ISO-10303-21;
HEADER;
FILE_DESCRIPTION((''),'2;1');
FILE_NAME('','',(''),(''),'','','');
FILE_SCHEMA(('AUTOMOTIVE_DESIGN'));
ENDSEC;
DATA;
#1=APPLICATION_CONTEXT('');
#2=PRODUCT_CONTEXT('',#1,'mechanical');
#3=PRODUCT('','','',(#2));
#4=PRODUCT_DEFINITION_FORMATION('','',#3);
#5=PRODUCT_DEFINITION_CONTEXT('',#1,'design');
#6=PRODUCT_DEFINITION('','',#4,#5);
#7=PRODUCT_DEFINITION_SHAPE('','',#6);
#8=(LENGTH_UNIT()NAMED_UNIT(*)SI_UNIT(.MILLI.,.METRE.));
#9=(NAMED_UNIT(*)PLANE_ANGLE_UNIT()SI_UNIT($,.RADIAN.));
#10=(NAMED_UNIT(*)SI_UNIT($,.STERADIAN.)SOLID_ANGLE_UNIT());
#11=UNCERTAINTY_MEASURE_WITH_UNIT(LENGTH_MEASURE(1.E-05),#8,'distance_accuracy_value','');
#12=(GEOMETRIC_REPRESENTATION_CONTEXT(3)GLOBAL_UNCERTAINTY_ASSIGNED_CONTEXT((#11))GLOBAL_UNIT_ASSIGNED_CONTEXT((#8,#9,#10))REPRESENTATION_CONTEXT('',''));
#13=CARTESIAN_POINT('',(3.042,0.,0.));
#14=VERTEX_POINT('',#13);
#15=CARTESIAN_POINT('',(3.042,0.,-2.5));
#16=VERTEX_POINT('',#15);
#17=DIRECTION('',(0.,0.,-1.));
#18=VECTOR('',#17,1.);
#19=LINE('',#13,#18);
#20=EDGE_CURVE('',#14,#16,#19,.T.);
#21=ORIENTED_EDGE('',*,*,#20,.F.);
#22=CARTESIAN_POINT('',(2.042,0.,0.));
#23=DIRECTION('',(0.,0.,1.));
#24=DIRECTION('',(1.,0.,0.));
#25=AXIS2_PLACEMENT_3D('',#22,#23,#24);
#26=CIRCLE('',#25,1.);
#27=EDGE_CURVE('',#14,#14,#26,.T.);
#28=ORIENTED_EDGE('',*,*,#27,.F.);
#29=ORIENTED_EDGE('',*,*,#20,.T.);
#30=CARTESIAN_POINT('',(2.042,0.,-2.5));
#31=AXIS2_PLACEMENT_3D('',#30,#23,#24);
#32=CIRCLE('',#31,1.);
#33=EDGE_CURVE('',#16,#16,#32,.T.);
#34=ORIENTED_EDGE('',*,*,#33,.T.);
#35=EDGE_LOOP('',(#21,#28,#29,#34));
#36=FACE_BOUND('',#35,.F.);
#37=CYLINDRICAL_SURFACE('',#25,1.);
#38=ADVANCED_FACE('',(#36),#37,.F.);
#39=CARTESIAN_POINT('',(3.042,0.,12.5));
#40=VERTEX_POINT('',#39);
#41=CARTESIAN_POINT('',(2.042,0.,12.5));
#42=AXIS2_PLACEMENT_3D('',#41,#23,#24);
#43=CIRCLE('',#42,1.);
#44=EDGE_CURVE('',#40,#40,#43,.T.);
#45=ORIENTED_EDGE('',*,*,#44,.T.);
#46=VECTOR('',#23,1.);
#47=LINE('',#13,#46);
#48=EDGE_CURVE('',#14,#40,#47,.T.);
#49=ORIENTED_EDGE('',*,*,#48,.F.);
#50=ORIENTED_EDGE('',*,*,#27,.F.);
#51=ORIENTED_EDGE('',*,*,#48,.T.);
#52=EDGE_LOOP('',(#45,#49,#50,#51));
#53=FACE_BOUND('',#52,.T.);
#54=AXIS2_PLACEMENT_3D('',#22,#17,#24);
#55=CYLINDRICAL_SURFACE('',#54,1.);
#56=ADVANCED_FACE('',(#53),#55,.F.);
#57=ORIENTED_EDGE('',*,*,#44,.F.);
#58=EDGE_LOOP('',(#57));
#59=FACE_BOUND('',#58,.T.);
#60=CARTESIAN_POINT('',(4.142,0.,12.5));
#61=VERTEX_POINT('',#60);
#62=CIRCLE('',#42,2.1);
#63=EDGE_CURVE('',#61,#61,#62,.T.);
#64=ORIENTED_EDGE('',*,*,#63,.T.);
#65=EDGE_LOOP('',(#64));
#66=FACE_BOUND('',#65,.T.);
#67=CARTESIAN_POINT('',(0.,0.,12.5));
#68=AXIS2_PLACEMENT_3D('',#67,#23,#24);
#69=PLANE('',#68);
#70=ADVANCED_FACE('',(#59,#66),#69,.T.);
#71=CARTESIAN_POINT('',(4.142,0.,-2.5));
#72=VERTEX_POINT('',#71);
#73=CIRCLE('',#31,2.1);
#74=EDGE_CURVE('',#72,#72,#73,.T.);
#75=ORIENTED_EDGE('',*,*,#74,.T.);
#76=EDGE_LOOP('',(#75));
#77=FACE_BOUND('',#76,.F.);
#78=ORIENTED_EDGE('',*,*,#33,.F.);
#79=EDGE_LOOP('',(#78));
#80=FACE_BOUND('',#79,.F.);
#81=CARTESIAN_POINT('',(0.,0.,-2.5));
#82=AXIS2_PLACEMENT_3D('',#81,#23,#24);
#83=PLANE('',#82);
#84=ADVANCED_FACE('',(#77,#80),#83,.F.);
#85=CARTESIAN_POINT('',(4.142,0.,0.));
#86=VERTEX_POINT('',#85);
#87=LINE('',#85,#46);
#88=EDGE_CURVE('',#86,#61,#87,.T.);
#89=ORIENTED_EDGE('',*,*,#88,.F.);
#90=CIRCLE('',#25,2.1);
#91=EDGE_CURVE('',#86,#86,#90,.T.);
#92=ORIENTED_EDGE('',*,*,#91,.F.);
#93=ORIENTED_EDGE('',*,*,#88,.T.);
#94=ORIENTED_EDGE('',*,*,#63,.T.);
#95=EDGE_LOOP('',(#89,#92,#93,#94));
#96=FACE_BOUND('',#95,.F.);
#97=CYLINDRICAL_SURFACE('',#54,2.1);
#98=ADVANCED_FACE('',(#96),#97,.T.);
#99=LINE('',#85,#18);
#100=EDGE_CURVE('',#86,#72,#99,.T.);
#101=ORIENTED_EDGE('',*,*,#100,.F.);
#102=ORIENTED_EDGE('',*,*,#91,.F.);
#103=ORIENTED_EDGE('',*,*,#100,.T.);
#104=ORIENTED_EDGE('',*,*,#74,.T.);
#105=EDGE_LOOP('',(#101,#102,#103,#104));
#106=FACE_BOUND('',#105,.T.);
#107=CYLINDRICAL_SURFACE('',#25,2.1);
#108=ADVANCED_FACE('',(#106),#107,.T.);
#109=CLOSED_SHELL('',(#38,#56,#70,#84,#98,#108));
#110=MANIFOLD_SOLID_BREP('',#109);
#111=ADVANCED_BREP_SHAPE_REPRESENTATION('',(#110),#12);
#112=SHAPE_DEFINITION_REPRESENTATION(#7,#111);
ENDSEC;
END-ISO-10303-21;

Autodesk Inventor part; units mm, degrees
ref_plane "YZ Plane" through (0, 0, 0) normal (1, 0, 0) x (0, 1, 0)
ref_plane "XZ Plane" through (0, 0, 0) normal (0, 1, 0) x (-1, 0, 0)
ref_plane "XY Plane" through (0, 0, 0) normal (0, 0, 1) x (1, 0, 0)
sketch "Sketch1" plane through (0, 0, 0) normal (0, 0, 1) x (1, 0, 0)
  circle A0 centre (2.042, 0) radius 0.875 projected
  circle A1 centre (2.042, 0) radius 2.1
  circle A2 centre (2.042, 0) radius 1
  point P0 (0, 0)
  dimension "d0" = 4.2
  dimension "d1" = 2
extrude "Extrusion1" add sketch "Sketch1" along normal blind 12.5 and the other way blind 2.5 contours A1
properties part number "ptfe filament guide"
